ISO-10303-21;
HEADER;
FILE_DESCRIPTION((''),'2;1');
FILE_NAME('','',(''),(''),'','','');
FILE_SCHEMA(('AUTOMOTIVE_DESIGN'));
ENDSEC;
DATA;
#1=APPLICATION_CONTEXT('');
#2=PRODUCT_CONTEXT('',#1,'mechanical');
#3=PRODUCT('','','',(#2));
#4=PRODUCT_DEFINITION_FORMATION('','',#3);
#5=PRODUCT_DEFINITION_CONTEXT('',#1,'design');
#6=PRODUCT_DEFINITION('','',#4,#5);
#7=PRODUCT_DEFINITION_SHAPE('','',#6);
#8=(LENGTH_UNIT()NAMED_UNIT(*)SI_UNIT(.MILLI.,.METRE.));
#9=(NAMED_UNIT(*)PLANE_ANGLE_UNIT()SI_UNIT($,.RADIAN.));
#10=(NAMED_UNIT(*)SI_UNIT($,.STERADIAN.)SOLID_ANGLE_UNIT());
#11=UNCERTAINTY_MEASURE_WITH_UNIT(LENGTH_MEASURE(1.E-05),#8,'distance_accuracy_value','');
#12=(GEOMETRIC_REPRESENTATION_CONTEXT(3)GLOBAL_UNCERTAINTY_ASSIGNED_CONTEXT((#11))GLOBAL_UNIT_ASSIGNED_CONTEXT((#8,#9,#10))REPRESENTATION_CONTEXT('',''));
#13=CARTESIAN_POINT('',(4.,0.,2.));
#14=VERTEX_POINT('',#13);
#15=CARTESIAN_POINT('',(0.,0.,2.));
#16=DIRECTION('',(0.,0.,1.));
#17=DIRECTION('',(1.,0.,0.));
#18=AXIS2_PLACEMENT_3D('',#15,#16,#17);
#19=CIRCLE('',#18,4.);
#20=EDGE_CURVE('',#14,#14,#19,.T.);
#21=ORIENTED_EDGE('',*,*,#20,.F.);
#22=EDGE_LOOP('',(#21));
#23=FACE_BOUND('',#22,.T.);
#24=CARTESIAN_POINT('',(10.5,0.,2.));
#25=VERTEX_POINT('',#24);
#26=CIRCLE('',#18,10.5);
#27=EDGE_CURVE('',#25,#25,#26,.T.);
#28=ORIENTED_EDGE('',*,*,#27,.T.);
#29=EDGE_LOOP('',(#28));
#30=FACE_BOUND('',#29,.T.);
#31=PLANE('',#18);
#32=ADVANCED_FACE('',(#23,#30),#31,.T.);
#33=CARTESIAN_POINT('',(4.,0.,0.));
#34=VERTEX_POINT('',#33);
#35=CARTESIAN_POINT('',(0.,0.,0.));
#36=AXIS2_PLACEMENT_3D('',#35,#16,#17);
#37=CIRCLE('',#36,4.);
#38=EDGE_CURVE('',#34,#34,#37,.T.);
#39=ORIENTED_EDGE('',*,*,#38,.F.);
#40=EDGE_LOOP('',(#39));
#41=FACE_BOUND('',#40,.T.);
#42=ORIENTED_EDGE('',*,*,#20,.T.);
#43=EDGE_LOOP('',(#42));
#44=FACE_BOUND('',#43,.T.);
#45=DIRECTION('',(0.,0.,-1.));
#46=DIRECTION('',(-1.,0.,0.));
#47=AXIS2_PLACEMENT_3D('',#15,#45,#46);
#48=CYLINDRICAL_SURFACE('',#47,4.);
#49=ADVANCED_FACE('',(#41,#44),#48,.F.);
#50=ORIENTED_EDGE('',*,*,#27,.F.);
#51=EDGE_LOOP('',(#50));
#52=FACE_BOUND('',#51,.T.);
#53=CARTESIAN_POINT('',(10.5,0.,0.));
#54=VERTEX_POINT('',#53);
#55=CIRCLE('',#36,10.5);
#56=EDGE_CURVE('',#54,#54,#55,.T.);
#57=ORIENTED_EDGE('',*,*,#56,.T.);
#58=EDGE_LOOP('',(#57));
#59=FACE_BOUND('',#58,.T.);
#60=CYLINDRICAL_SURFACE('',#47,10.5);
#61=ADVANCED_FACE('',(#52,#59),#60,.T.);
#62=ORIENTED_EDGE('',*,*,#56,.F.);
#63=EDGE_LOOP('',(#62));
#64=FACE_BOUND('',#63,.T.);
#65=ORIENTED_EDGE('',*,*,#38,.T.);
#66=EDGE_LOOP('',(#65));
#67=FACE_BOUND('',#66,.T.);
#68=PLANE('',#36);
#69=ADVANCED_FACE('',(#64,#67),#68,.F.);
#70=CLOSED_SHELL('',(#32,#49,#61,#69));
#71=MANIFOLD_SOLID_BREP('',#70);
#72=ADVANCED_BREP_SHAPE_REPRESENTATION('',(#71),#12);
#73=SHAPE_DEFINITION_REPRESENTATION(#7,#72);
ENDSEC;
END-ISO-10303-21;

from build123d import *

# Parameters (mm, degrees)
SKETCH1_R           = 10.5
SKETCH1_R_2         = 4
BOSS_EXTRUDE1_DEPTH = 2


with BuildPart() as part:
    # Sketch1 → Boss-Extrude1 (new body)
    with BuildSketch(Plane.XY):
        Circle(SKETCH1_R)
        Circle(SKETCH1_R_2, mode=Mode.SUBTRACT)
    extrude(amount=BOSS_EXTRUDE1_DEPTH)


solid = part.part
